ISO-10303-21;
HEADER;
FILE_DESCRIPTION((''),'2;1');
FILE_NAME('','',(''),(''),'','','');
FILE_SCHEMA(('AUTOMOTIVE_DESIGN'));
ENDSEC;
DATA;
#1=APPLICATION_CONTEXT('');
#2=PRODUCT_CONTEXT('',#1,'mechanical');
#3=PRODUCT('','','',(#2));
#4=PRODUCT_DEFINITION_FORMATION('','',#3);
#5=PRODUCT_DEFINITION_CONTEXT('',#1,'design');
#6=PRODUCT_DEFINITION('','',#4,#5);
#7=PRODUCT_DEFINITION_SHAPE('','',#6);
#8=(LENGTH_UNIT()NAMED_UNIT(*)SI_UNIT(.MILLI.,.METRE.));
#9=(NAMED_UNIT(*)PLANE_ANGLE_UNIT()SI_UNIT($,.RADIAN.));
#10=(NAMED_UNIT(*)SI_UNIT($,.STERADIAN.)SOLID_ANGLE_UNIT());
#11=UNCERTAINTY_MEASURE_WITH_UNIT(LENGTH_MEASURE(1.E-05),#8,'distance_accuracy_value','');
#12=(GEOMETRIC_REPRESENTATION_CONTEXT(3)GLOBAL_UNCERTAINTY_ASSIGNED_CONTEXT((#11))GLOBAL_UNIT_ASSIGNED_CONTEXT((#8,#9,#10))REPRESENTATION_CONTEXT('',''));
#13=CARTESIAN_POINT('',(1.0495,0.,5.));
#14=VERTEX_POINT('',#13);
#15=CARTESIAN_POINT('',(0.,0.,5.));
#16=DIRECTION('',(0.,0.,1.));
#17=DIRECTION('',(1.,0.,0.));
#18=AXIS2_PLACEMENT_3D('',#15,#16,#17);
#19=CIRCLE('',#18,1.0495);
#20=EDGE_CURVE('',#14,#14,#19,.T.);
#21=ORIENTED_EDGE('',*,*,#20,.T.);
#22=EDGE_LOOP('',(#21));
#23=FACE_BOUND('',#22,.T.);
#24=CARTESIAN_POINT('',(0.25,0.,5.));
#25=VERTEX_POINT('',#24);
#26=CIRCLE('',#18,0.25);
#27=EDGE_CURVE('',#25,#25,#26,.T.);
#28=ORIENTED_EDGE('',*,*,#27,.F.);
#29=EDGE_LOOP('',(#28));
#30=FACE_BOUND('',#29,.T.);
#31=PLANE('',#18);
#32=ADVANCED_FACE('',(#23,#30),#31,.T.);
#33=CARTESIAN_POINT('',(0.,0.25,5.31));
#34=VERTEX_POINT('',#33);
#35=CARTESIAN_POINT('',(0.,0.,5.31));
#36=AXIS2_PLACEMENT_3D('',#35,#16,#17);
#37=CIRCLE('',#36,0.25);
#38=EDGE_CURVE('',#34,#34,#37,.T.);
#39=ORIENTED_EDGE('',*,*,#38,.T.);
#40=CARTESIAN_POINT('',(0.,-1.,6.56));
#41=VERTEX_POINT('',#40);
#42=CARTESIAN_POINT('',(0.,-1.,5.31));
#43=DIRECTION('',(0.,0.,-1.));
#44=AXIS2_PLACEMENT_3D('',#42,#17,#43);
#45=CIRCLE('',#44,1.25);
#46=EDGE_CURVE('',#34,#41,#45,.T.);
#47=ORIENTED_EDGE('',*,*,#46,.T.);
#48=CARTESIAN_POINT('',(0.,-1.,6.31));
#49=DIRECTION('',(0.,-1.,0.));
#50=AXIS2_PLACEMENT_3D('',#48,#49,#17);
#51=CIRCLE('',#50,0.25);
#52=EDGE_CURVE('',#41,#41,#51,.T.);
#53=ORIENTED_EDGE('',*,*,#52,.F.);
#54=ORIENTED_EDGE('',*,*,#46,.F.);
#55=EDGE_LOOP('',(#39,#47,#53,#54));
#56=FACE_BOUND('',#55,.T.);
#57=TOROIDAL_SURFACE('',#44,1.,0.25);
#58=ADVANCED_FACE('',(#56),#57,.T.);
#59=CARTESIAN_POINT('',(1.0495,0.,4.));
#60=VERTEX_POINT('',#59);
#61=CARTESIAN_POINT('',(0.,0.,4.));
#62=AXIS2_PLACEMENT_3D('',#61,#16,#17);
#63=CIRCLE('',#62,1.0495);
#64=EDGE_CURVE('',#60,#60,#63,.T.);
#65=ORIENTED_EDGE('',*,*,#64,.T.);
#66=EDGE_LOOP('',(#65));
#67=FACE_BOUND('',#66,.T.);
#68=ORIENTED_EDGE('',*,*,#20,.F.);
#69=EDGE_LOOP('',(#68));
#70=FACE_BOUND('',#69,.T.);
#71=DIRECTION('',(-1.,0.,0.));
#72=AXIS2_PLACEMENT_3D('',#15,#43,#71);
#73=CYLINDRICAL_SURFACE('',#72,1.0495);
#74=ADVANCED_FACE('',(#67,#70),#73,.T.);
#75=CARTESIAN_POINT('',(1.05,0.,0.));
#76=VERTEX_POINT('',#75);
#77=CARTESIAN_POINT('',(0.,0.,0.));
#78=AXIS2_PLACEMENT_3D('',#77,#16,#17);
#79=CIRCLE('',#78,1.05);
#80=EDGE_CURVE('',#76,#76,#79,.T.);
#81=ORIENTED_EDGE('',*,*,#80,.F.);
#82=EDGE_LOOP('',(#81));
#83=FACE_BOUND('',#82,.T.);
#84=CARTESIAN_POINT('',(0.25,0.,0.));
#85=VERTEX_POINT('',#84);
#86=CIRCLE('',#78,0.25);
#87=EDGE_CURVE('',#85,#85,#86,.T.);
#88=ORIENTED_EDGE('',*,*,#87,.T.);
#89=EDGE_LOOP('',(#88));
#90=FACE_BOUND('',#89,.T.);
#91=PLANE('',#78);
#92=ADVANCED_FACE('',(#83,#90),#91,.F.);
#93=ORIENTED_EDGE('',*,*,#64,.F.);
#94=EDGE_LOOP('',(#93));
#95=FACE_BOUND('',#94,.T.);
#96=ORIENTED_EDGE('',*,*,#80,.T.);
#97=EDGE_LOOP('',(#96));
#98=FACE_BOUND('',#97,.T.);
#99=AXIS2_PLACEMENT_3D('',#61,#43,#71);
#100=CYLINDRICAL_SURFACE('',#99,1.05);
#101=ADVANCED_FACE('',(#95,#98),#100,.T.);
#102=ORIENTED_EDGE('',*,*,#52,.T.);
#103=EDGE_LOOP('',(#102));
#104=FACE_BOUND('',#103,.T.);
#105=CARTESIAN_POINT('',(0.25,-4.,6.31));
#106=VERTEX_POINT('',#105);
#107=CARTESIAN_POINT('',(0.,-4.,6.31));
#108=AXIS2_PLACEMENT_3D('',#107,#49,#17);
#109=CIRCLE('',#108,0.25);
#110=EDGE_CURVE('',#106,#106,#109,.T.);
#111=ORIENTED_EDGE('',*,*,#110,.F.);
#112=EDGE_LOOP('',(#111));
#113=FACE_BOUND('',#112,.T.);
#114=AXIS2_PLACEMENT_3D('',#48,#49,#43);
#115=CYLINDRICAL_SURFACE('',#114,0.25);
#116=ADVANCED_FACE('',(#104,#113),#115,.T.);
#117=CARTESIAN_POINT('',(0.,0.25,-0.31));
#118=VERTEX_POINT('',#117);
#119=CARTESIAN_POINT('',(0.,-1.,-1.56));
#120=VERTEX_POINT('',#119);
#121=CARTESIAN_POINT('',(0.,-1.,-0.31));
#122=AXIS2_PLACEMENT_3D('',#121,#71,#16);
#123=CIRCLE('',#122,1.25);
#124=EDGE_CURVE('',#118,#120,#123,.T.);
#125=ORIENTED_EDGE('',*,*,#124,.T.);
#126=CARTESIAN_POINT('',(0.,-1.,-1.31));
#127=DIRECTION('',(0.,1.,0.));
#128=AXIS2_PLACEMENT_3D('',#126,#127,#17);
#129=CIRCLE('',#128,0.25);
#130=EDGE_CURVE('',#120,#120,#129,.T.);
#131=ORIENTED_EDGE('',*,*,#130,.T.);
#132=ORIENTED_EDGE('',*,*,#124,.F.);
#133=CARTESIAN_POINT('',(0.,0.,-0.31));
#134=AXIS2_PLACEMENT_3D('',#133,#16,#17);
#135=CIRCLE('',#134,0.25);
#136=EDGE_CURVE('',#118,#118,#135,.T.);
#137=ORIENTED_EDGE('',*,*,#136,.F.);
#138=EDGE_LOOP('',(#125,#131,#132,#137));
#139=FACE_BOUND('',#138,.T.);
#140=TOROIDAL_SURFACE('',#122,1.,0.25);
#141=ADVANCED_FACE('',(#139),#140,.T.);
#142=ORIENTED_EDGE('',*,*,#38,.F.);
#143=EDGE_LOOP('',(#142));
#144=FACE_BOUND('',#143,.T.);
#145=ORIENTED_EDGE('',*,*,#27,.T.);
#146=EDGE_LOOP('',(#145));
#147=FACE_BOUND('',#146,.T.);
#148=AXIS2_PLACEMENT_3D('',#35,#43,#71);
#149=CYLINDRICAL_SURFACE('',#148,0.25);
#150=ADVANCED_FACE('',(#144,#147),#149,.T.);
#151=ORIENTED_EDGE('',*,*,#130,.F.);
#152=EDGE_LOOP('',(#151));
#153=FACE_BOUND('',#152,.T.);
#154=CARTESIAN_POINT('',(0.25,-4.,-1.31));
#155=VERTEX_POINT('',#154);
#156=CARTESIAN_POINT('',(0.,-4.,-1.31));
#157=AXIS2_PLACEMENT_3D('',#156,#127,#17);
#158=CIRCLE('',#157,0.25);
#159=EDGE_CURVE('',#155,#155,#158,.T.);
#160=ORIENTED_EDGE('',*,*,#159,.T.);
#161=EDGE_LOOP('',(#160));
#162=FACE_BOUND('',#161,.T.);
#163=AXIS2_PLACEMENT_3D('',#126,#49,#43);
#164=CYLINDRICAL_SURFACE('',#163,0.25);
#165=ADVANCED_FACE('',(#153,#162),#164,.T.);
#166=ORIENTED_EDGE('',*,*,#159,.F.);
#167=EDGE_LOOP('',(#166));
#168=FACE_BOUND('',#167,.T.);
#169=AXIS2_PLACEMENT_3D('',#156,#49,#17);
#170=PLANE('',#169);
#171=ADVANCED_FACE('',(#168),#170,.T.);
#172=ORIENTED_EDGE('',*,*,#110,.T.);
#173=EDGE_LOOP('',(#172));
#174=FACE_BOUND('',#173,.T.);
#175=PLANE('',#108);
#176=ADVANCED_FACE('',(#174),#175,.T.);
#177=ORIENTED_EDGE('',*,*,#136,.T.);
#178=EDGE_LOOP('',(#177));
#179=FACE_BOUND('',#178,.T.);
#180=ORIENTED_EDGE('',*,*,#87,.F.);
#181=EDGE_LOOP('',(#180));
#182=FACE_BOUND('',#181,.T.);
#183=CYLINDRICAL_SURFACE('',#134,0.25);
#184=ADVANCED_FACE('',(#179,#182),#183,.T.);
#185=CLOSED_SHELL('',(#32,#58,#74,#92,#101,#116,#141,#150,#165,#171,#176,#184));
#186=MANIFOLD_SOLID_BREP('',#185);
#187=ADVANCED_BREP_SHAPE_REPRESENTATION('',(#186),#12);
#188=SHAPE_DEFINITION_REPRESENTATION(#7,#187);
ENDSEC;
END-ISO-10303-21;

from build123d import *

# Parameters (mm, degrees)
ESQUISSE1_R        = 1.05
BOSS_EXTRU_1_DEPTH = 4
ESQUISSE2_R        = 1.0495
BOSS_EXTRU_2_DEPTH = 1
ESQUISSE4_R        = 0.25


with BuildPart() as part:
    # Esquisse1 → Boss.-Extru.1 (new body)
    with BuildSketch(Plane.XY):
        Circle(ESQUISSE1_R)
    extrude(amount=BOSS_EXTRU_1_DEPTH)

    # Esquisse2 → Boss.-Extru.2 (add)
    with BuildSketch(Plane.XY.offset(4)):
        Circle(ESQUISSE2_R)
    extrude(amount=BOSS_EXTRU_2_DEPTH)

    # Balayage1: sweep along a path in Esquisse3
    with BuildLine(Plane(origin=(0, 0, 0), x_dir=(0, 0, -1), z_dir=(1, 0, 0))) as balayage1_path:
        Line((-5, 0), (-5.31, 0))
        ThreePointArc((-5.31, 0), (-6.017106781, -0.292893219), (-6.31, -1))
        Line((-6.31, -1), (-6.31, -4))
    # Esquisse4 → Balayage1 (sweep)
    with BuildSketch(Plane.XY.offset(5)):
        Circle(ESQUISSE4_R)
    balayage1 = sweep(path=balayage1_path.line)

    # Symétrie1: Balayage1 across plane
    add(balayage1.mirror(Plane.XY.offset(2.5)))


solid = part.part
